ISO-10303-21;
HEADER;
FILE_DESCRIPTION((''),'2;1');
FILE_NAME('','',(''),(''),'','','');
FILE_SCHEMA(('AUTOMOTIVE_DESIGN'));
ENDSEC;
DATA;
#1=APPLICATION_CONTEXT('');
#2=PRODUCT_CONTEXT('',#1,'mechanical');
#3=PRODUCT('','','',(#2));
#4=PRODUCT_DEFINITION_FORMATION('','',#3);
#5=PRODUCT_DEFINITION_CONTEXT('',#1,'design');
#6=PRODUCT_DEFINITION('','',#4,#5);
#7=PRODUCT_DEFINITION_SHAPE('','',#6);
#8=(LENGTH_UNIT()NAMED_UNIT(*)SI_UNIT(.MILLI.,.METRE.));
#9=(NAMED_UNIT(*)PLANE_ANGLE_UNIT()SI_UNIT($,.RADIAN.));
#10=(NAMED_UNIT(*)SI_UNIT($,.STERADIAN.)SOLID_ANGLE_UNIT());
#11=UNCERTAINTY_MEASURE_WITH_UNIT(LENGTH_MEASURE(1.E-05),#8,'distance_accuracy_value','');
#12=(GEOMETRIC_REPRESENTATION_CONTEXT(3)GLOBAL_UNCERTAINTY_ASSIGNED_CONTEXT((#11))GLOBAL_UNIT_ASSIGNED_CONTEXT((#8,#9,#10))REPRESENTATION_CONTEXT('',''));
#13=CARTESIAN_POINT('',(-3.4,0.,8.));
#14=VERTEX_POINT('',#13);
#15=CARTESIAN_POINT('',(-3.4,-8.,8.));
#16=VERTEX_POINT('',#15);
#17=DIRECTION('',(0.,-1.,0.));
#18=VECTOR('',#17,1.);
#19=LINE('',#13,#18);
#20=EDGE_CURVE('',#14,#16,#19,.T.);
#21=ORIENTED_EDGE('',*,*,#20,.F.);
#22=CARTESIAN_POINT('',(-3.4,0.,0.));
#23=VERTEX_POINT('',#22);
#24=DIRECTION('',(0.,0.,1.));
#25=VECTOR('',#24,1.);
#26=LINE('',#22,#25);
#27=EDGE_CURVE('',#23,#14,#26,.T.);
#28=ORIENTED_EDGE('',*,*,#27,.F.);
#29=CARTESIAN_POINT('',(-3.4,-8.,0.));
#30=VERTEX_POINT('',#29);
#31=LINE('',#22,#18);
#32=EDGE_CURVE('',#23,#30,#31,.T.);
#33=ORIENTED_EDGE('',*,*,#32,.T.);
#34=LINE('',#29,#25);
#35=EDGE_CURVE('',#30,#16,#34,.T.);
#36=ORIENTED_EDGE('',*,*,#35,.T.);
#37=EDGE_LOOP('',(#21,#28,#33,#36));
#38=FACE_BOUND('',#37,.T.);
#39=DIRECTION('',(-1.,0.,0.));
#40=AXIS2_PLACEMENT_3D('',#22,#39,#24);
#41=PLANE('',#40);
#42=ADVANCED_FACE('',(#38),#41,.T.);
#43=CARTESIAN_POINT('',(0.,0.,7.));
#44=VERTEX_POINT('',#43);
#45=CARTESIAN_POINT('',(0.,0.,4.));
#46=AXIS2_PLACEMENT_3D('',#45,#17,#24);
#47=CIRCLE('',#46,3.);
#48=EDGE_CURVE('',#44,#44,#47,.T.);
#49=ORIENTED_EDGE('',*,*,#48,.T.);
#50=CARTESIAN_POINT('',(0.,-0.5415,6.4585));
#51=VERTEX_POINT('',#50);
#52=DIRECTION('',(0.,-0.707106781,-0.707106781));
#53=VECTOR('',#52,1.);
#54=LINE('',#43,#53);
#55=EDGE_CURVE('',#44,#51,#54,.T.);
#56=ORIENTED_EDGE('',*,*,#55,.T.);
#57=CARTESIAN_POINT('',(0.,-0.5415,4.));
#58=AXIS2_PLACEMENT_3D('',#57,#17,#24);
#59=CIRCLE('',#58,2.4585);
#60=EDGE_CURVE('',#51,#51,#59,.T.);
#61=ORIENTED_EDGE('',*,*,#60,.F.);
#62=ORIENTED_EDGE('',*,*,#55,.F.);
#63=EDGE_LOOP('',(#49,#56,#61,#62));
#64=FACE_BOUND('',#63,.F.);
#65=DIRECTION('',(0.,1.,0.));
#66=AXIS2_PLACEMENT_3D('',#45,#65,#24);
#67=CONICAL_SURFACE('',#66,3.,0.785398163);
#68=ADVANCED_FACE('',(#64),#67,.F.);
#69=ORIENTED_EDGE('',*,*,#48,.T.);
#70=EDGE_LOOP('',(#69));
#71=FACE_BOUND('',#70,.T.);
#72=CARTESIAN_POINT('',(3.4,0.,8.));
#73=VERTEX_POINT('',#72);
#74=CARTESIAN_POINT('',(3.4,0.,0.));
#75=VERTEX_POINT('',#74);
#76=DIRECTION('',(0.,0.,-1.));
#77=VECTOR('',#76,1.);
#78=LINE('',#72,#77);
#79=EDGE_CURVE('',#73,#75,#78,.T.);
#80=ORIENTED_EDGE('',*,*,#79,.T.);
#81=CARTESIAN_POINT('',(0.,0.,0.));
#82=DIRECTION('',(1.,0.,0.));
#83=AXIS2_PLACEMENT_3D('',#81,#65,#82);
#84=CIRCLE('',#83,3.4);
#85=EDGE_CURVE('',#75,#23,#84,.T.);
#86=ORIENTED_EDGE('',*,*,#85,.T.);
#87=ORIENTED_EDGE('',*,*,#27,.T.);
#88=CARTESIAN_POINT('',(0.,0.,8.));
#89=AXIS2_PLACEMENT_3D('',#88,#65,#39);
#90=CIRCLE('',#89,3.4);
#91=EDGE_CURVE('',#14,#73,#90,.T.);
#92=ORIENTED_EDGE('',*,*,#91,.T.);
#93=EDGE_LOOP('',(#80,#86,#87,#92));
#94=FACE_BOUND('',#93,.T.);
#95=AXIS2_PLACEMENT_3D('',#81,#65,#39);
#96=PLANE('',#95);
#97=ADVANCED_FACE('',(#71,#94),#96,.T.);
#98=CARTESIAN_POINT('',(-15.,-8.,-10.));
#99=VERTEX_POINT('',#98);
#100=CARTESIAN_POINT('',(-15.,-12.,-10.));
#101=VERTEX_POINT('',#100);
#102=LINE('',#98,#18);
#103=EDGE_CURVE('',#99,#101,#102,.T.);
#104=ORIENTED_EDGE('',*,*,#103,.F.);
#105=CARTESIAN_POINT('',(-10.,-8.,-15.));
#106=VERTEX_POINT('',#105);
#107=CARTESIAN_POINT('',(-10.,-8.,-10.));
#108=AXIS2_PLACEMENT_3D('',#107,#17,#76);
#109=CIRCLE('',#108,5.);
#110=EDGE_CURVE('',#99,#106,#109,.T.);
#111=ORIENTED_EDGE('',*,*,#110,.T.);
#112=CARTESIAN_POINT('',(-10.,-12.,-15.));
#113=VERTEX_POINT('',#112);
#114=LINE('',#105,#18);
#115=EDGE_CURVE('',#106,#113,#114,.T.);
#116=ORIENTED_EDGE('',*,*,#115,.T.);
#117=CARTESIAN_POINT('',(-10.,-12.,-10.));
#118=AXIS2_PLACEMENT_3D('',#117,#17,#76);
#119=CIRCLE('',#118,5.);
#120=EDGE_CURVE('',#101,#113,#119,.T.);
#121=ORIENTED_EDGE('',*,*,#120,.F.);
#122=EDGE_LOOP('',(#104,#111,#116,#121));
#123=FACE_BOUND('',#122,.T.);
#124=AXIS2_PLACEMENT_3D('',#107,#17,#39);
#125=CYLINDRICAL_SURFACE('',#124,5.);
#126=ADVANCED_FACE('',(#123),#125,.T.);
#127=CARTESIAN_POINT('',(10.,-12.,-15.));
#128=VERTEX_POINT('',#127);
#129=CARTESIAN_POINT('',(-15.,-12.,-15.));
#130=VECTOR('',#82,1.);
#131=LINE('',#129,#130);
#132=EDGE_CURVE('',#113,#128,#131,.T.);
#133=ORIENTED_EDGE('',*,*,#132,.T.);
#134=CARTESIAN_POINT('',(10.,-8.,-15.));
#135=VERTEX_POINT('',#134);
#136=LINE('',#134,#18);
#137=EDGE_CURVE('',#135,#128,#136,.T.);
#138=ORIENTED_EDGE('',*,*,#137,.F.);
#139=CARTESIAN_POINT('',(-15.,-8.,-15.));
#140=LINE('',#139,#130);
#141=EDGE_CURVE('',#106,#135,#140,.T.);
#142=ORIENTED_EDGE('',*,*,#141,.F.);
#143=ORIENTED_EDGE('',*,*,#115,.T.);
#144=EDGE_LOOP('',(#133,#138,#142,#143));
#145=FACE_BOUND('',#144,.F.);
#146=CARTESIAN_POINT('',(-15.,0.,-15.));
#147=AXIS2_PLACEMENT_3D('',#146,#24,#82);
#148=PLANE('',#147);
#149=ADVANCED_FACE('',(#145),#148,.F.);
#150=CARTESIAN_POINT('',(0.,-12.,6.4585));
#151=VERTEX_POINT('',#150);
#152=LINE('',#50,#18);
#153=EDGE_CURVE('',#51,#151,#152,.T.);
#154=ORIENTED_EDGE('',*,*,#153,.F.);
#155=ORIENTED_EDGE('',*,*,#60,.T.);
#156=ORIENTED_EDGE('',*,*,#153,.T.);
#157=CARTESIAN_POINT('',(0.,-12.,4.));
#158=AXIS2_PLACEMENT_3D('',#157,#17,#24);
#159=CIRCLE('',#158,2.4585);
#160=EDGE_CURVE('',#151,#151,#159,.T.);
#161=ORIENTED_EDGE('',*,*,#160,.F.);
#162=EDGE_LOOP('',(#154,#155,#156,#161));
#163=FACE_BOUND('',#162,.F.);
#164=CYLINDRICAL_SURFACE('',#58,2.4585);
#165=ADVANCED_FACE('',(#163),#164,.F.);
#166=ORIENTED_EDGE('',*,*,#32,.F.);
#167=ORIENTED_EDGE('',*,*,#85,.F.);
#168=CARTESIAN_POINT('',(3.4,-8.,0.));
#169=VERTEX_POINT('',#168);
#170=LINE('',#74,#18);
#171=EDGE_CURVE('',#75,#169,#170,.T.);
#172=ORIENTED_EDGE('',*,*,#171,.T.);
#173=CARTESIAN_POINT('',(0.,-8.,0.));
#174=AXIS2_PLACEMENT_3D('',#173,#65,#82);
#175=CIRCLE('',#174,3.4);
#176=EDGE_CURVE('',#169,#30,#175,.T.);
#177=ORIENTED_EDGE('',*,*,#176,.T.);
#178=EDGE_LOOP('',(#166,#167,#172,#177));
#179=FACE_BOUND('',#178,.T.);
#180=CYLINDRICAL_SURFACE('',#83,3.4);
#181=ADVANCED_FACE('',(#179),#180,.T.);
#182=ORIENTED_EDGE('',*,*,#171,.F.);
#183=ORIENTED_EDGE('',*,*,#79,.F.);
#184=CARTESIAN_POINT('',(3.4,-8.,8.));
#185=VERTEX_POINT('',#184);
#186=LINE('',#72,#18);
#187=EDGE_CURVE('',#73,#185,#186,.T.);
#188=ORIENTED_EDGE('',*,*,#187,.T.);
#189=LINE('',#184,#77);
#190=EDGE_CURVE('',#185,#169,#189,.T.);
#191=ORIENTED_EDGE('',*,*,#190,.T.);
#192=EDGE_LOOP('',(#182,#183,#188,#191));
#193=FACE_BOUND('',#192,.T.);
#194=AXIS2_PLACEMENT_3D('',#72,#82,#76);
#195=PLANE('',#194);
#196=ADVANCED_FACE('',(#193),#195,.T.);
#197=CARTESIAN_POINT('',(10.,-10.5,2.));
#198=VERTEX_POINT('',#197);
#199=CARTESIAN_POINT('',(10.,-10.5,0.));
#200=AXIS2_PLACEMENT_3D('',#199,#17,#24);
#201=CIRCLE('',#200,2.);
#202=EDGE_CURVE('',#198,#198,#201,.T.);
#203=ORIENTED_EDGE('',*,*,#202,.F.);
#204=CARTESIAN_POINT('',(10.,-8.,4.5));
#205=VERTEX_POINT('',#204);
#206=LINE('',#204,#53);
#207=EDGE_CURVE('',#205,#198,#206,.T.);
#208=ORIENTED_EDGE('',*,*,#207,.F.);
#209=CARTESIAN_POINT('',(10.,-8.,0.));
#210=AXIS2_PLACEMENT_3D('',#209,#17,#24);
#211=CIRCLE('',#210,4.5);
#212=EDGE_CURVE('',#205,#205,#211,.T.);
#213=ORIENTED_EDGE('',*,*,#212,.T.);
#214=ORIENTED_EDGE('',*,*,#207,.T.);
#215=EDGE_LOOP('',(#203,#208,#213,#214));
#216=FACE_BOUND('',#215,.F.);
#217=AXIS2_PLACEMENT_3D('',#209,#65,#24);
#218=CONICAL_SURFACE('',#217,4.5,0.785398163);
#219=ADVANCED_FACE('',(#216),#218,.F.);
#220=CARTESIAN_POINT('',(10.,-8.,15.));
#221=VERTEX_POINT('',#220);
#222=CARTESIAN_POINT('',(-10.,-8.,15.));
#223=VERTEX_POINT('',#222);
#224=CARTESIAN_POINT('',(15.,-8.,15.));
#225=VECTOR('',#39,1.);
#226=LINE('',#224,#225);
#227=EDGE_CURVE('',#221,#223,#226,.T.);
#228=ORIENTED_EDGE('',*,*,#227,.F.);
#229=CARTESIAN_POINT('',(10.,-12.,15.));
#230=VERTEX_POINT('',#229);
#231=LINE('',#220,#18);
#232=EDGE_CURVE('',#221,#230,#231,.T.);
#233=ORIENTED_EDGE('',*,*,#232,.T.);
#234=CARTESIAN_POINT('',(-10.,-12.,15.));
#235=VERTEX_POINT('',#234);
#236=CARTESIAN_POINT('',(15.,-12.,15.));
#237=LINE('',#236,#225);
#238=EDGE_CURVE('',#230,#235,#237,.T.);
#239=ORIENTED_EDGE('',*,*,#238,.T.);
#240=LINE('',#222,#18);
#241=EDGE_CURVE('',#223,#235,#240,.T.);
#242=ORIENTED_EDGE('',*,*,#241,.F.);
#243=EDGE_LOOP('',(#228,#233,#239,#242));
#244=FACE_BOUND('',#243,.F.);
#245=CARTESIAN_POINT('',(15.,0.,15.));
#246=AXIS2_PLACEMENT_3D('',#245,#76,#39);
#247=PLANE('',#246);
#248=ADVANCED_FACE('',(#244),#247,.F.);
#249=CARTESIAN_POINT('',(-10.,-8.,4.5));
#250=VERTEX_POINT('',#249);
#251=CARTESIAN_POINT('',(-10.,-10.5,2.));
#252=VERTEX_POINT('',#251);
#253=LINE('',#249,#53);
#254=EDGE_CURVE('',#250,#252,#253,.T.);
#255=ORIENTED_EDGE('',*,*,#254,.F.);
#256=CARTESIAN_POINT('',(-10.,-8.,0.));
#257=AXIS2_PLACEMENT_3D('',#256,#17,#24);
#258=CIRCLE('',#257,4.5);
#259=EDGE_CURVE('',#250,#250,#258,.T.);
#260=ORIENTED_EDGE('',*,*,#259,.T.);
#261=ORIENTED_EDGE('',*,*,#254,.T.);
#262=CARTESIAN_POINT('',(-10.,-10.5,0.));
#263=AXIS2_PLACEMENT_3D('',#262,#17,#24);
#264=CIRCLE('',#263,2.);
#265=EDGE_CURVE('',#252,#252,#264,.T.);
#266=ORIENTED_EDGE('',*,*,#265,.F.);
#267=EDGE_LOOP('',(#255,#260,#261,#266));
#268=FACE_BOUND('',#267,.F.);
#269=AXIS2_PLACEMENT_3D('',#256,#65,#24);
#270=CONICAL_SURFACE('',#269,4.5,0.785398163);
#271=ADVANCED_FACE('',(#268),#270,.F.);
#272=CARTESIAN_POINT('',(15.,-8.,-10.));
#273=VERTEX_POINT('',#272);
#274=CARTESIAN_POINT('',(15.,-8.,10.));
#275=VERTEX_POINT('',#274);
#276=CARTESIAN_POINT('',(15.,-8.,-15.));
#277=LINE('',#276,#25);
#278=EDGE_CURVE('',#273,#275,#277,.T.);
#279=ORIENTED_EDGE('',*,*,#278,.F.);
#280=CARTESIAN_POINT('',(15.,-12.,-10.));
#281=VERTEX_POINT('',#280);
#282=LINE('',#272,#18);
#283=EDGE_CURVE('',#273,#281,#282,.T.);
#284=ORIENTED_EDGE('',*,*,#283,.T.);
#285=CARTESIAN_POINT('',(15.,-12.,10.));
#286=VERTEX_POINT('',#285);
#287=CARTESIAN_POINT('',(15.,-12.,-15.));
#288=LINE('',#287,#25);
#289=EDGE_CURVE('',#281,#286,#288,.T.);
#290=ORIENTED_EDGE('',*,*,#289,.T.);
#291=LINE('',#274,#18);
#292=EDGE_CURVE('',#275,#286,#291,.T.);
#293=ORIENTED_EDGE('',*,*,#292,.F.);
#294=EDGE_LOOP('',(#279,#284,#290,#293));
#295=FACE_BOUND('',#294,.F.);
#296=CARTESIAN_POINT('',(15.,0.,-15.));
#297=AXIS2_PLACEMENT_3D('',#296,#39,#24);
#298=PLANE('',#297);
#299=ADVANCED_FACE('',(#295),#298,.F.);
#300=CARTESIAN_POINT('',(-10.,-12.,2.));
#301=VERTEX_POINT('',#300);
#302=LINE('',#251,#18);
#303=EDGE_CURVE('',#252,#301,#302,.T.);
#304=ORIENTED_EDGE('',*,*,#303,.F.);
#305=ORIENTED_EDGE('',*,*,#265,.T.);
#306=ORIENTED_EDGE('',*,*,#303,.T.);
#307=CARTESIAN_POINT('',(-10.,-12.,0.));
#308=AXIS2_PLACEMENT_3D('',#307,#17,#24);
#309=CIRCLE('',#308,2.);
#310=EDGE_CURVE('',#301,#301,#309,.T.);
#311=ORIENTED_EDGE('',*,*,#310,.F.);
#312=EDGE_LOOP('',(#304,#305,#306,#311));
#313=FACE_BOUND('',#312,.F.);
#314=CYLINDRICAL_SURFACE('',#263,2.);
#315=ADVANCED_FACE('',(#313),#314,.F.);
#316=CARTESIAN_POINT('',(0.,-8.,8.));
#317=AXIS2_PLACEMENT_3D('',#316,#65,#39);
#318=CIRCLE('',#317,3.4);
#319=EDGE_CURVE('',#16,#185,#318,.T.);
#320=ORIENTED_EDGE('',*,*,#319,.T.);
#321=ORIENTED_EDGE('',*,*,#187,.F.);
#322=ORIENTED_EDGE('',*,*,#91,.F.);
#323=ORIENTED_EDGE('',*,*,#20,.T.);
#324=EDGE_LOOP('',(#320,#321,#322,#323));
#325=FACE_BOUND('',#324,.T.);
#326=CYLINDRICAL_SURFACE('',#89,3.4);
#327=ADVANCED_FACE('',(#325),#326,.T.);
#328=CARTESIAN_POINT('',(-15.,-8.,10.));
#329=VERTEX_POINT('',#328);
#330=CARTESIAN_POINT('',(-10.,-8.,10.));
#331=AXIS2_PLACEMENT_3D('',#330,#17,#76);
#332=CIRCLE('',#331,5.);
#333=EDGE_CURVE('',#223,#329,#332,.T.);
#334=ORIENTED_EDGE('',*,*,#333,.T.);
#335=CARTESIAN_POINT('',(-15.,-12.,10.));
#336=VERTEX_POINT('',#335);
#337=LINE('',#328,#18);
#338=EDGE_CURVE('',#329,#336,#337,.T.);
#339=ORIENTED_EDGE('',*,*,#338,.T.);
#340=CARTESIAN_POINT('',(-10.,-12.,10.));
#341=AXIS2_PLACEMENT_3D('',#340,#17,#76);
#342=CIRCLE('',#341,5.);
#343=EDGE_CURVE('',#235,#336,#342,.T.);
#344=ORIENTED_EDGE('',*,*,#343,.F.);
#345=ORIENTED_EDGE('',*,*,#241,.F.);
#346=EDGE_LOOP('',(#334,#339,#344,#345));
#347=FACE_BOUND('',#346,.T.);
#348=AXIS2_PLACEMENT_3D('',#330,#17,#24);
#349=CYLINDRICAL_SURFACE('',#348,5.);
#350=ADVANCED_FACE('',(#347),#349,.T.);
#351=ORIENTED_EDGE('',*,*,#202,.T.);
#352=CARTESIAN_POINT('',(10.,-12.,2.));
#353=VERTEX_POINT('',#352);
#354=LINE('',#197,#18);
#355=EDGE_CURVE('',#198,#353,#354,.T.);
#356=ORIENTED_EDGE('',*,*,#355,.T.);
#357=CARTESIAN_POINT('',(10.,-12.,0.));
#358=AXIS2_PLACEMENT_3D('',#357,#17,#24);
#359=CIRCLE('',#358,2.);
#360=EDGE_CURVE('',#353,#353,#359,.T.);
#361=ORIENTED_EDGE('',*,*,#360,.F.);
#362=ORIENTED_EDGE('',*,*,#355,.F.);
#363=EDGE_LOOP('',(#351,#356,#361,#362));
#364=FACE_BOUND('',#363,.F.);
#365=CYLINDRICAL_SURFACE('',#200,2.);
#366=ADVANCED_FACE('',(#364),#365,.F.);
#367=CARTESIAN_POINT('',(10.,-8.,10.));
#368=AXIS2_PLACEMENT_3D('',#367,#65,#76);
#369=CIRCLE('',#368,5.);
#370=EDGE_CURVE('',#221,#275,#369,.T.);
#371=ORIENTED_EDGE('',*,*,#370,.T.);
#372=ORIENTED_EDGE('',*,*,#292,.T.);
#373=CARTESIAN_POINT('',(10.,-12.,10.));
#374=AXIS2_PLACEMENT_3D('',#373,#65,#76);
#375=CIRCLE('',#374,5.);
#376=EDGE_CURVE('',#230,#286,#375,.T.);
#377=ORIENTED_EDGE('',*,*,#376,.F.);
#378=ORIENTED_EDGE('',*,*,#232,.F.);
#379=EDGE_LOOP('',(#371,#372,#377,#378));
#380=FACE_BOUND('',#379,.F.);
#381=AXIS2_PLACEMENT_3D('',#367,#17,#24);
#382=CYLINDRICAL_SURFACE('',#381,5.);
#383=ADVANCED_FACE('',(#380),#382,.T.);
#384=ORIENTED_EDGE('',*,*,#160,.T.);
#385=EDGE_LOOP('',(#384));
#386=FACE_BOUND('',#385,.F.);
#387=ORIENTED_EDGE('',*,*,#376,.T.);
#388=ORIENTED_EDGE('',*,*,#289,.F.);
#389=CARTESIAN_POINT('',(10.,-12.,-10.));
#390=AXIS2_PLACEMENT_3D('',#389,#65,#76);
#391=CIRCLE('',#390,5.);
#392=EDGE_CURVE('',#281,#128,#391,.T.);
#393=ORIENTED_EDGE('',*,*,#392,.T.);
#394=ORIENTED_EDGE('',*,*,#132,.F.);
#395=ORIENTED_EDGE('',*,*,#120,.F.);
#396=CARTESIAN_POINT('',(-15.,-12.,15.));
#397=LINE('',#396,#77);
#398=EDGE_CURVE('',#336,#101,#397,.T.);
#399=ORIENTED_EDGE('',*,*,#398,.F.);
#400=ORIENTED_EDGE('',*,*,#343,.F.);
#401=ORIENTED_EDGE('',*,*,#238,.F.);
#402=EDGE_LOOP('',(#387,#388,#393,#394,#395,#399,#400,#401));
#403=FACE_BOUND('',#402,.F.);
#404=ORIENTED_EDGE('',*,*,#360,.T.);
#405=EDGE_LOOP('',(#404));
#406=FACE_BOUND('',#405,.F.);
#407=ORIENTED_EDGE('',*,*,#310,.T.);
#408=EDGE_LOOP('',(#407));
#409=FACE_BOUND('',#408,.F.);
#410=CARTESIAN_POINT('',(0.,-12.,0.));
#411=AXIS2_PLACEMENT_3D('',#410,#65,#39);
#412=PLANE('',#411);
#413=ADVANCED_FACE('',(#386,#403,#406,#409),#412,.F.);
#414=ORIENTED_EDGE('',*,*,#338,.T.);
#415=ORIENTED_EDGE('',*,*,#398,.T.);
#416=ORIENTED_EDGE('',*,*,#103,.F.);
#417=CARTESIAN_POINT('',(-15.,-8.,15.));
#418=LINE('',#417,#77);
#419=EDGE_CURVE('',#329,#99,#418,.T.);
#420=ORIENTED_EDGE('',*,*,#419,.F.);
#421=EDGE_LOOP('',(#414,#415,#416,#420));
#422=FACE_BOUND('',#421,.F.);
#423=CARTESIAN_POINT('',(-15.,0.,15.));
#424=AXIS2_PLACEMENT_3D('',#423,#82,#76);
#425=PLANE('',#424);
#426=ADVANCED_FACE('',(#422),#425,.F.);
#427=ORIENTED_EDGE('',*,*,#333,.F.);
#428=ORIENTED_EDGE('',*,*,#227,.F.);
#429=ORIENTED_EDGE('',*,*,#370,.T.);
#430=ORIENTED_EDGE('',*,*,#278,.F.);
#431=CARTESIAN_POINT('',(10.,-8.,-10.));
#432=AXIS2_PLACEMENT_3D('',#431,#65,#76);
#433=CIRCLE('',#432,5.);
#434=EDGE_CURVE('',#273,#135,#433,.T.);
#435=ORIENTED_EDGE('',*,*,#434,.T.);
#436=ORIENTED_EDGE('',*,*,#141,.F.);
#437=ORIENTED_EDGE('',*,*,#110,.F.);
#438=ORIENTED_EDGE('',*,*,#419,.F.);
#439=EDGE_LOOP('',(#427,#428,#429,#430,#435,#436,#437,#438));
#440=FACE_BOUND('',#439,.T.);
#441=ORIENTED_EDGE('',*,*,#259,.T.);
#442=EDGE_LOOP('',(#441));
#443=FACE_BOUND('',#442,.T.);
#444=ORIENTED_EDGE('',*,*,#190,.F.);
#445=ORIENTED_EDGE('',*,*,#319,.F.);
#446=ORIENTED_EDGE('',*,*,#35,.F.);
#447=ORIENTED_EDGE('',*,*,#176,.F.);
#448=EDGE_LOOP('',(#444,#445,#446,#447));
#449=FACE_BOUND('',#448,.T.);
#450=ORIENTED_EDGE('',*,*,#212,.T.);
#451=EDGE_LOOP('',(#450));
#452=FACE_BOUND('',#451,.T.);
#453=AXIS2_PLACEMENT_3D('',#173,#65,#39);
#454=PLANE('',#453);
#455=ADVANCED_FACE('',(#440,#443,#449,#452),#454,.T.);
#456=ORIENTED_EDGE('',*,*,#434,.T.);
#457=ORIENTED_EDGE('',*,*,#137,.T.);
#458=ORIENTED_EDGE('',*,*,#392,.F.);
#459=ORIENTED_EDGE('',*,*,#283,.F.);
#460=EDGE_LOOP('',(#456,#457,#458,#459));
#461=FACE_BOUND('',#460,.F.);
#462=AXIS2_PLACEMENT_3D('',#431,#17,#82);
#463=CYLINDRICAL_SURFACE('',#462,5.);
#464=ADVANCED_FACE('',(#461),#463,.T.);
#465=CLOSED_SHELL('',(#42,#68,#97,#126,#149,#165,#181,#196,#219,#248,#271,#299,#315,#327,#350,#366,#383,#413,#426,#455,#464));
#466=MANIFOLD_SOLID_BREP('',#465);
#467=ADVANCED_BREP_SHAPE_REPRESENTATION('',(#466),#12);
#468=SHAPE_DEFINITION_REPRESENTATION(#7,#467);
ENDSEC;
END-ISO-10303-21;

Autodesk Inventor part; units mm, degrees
ref_plane "YZ Plane" through (0, 0, 0) normal (1, 0, 0) x (0, 1, 0)
ref_plane "XZ Plane" through (0, 0, 0) normal (0, 1, 0) x (-1, 0, 0)
ref_plane "XY Plane" through (0, 0, 0) normal (0, 0, 1) x (1, 0, 0)
sketch "Sketch1" plane through (0, 0, 0) normal (0, 1, 0) x (-1, 0, 0)
  line L0 (-15, 15) -> (15, 15)
  line L1 (15, 15) -> (15, -15)
  line L2 (15, -15) -> (-15, -15)
  line L3 (-15, -15) -> (-15, 15)
  line L4 (-15, 15) -> (15, -15) construction
  line L5 (15, 15) -> (-15, -15) construction
  line L6 (21, 0) -> (-21, 0) construction
  line L7 (0, -21) -> (0, 21) construction
  line L8 (0, 8) -> (0, 0) construction
  line L9 (-3.4, 8) -> (-3.4, 0)
  line L10 (3.4, 0) -> (3.4, 8)
  arc A0 (3.4, 8) -> (-3.4, 8) centre (0, 8) ccw
  arc A1 (-3.4, 0) -> (3.4, 0) centre (0, 0) ccw
  point P0 (0, 0)
  point P1 (0, 4)
  point P2 (10, 0)
  point P3 (-10, 0)
  point P4 (0, 4)
  dimension "d0" = 30
  dimension "d1" = 30
  dimension "d2" = 6.8
  dimension "d3" = 8
  dimension "d4" = 0
  dimension "d5" = 20
extrude "Extrusion1" add sketch "Sketch1" against normal blind 12 contours L0 L1 L2 L3 | A0 L10 A1 L9
extrude "Extrusion2" cut sketch "Sketch1" against normal blind 8
hole "Hole1" at (0, 0, 4) direction (0, -1, 0) diameter 4.917 end through all countersink diameter 6 countersink angle 90 thread size "M6x1" class "6H" standard "ISO Metric profile"
sketch "Sketch2" plane through (0, -8, 0) normal (0, 1, 0) x (1, 0, 0)
  point P0 (0, 0)
  point P1 (10, 0)
  point P2 (-10, 0)
hole "Hole2" at (10, -8, 0) at (-10, -8, 0) direction (0, -1, 0) diameter 4 end through all countersink diameter 9 countersink angle 90
fillet "Fillet1" radius 5 4 edges at (-15, -10, -15) (-15, -10, 15) (15, -10, 15) (15, -10, -15)
properties part number "TCSM1-004" material "Steel"
